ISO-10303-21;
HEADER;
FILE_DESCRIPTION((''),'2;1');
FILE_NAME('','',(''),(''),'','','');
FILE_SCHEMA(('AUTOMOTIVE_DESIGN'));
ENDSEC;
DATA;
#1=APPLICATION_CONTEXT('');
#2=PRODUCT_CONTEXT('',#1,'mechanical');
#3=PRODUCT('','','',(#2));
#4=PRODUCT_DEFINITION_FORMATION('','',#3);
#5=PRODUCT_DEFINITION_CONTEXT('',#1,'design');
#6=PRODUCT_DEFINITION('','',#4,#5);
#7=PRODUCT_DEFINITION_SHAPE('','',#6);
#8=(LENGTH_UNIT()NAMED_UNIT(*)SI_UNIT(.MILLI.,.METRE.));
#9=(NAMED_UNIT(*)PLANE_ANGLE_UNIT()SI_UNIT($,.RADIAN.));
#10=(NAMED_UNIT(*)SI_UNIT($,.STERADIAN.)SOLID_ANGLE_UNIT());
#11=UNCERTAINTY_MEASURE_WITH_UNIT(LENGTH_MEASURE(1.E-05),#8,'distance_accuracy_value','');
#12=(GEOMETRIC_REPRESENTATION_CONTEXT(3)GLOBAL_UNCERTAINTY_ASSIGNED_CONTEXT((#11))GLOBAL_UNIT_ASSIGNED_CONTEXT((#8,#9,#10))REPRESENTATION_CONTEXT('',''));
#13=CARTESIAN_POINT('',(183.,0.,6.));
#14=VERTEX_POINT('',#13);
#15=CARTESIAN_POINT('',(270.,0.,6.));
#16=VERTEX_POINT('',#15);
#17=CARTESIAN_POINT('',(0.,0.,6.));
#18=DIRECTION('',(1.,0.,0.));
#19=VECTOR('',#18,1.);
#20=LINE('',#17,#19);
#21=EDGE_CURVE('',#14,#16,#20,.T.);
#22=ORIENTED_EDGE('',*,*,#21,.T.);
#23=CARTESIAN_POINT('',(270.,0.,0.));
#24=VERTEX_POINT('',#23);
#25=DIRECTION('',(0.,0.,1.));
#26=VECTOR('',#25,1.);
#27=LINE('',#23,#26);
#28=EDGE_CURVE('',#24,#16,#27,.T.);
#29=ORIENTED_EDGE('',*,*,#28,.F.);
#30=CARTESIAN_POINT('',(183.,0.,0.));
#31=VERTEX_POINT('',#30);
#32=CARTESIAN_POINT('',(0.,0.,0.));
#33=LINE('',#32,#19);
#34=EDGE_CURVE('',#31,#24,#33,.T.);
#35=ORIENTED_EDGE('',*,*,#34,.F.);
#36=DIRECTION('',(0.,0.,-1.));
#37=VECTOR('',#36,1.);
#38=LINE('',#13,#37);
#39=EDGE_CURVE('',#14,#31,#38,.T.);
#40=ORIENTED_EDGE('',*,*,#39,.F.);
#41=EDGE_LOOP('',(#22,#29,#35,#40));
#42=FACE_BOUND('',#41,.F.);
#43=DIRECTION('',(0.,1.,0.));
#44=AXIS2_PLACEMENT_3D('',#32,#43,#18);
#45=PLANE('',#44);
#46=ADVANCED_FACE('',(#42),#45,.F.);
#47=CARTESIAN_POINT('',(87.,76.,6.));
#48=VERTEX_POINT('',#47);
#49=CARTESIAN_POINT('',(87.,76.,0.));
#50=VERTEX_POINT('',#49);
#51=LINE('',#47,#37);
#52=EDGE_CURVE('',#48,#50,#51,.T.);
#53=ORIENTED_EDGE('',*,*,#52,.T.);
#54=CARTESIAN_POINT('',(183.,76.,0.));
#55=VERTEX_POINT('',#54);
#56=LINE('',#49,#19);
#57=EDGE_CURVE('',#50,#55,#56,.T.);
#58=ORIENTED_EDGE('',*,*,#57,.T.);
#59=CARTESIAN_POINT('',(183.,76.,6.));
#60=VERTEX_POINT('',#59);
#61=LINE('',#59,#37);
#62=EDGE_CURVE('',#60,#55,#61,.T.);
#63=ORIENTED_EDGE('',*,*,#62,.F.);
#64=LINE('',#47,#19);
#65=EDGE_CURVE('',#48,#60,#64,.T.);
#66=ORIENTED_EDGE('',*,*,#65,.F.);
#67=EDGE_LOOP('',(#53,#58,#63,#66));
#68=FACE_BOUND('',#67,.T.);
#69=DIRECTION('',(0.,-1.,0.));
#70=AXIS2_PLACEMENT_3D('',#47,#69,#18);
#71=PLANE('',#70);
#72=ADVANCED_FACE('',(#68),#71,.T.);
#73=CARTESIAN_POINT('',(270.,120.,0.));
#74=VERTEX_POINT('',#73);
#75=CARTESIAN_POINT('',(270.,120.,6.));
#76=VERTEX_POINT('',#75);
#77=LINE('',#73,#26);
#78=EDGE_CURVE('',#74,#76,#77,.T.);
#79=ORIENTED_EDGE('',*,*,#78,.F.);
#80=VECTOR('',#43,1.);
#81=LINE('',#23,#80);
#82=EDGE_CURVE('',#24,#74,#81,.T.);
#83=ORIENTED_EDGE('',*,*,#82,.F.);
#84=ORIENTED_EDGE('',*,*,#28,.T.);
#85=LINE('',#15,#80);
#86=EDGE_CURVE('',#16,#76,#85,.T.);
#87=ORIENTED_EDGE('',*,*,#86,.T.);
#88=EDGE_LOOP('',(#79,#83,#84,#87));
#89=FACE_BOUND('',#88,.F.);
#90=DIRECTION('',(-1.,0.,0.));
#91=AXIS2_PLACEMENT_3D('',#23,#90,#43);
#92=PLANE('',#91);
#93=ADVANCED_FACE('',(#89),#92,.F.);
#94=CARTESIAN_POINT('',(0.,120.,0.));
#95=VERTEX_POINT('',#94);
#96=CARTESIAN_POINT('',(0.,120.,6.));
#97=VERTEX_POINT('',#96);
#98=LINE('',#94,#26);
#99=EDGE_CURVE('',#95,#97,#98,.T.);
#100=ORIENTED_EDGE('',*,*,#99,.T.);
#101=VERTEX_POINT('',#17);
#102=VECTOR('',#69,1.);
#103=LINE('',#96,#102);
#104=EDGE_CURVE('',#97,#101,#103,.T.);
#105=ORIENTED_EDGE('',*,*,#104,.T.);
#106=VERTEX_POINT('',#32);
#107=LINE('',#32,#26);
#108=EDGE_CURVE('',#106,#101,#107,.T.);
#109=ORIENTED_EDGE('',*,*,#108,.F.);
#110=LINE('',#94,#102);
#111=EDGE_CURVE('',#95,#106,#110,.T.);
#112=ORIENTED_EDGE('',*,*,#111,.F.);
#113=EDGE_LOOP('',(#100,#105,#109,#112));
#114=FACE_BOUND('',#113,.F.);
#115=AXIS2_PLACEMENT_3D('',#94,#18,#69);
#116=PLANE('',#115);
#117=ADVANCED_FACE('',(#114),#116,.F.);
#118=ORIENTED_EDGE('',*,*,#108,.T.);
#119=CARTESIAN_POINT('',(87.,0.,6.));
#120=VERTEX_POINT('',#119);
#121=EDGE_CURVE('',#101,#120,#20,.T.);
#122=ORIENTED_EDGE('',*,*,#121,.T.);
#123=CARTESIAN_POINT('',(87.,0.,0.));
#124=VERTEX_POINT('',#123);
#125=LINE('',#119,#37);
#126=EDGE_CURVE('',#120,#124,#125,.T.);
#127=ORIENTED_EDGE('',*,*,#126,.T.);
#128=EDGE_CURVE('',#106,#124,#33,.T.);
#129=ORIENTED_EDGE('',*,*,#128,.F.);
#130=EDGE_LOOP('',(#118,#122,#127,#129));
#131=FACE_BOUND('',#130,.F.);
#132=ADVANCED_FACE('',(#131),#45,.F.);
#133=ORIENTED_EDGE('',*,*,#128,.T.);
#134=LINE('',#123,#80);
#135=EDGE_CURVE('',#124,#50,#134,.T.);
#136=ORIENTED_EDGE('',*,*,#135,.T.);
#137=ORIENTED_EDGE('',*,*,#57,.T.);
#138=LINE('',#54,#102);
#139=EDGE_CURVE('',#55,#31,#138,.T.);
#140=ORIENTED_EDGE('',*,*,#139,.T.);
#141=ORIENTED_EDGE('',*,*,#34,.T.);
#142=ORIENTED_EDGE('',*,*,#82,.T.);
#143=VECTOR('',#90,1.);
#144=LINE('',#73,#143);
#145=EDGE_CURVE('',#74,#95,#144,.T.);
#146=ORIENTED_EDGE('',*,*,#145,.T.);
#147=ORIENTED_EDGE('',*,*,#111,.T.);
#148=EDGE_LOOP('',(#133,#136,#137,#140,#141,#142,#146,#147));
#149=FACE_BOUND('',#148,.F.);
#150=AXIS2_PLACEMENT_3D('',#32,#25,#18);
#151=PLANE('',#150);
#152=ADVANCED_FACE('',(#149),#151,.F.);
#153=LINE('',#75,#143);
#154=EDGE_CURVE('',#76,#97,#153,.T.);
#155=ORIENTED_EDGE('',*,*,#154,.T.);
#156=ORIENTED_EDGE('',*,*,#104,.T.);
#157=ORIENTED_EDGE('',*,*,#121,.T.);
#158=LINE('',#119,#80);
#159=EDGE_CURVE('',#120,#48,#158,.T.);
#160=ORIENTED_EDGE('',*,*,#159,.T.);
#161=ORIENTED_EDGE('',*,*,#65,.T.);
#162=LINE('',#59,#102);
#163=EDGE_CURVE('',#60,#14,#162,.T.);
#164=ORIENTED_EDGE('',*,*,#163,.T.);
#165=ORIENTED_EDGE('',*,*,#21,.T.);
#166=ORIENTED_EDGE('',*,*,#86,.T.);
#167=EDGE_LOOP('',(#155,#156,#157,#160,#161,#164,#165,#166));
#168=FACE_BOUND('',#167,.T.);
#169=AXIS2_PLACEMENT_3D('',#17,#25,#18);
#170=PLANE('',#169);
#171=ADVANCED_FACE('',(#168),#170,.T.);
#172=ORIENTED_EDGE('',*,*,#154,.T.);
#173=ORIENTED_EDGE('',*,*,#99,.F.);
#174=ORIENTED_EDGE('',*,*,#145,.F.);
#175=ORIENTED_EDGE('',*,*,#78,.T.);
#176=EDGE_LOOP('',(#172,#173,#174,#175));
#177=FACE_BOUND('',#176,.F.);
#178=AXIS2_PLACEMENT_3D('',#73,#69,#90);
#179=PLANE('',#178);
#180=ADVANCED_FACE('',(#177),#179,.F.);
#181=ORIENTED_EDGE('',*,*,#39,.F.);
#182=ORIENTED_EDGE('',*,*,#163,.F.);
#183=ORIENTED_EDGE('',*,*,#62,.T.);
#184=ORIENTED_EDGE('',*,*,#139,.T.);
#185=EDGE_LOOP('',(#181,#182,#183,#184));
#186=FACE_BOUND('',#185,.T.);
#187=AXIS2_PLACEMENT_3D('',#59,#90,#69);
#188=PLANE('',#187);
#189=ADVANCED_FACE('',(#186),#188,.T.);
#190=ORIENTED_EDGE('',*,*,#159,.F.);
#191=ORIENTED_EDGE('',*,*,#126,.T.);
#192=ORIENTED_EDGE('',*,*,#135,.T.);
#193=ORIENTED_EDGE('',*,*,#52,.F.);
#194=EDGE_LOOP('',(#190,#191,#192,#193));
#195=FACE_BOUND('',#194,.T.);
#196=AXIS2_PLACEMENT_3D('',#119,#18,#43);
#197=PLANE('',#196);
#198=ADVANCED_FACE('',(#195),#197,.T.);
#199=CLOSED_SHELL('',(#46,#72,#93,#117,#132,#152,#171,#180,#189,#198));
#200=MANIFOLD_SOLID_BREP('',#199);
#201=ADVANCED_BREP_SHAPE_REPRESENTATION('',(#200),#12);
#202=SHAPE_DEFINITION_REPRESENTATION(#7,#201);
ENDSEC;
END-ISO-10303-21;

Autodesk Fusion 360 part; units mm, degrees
sketch "Sorting Mechanism Top Panel" plane through (0, 0, 0) normal (0, 0, 1) x (1, 0, 0)
  line L0 (0, 0) -> (270, 0)
  line L1 (270, 0) -> (270, 120)
  line L2 (270, 120) -> (0, 120)
  line L3 (0, 120) -> (0, 0)
  dimension "d1" = 270
  dimension "d2" = 120
extrude "Extrude1" add sketch "Sorting Mechanism Top Panel" along normal blind 6
sketch "Smartie Hopper Hole" plane through (0, 0, 6) normal (0, 0, 1) x (-1, 0, 0)
  line L0 (0, -120) -> (0, 0)
  line L1 (0, 0) -> (-270, 0)
  line L2 (-270, 0) -> (-270, -120)
  line L3 (-270, -120) -> (0, -120)
  line L4 (-87, -76) -> (-183, -76)
  line L5 (-183, -76) -> (-183, 0)
  line L6 (-183, 0) -> (-87, 0)
  line L7 (-87, 0) -> (-87, -76)
  dimension "d7" = 96
  dimension "d9" = 76
  dimension "d10" = 87
  dimension "d11" = 87
extrude "Extrude2" cut sketch "Smartie Hopper Hole" against normal blind 6 contours L1 L4 L5 L6 L7
equation "d3 = MDF_thickness"
equation "acrylic_thickness = 3 mm" comment "Thickness of the clear acrylic panels"
equation "MDF_thickness = 6 mm" comment "Thickness of the MDF panels"
equation "d7 = smarties_hopper_width + 2 * acrylic_thickness"
equation "smarties_hopper_width = 90 mm" comment "Width of the Smarties hopper"
equation "d9 = smarties_hopper_depth + 2 * acrylic_thickness"
equation "d10 = ( 270 mm - ( smarties_hopper_width + 2 * acrylic_thickness ) ) / 2"
equation "d14 = -MDF_thickness"
equation "smarties_hopper_depth = 70 mm" comment "Depth of the Smarties hopper"
